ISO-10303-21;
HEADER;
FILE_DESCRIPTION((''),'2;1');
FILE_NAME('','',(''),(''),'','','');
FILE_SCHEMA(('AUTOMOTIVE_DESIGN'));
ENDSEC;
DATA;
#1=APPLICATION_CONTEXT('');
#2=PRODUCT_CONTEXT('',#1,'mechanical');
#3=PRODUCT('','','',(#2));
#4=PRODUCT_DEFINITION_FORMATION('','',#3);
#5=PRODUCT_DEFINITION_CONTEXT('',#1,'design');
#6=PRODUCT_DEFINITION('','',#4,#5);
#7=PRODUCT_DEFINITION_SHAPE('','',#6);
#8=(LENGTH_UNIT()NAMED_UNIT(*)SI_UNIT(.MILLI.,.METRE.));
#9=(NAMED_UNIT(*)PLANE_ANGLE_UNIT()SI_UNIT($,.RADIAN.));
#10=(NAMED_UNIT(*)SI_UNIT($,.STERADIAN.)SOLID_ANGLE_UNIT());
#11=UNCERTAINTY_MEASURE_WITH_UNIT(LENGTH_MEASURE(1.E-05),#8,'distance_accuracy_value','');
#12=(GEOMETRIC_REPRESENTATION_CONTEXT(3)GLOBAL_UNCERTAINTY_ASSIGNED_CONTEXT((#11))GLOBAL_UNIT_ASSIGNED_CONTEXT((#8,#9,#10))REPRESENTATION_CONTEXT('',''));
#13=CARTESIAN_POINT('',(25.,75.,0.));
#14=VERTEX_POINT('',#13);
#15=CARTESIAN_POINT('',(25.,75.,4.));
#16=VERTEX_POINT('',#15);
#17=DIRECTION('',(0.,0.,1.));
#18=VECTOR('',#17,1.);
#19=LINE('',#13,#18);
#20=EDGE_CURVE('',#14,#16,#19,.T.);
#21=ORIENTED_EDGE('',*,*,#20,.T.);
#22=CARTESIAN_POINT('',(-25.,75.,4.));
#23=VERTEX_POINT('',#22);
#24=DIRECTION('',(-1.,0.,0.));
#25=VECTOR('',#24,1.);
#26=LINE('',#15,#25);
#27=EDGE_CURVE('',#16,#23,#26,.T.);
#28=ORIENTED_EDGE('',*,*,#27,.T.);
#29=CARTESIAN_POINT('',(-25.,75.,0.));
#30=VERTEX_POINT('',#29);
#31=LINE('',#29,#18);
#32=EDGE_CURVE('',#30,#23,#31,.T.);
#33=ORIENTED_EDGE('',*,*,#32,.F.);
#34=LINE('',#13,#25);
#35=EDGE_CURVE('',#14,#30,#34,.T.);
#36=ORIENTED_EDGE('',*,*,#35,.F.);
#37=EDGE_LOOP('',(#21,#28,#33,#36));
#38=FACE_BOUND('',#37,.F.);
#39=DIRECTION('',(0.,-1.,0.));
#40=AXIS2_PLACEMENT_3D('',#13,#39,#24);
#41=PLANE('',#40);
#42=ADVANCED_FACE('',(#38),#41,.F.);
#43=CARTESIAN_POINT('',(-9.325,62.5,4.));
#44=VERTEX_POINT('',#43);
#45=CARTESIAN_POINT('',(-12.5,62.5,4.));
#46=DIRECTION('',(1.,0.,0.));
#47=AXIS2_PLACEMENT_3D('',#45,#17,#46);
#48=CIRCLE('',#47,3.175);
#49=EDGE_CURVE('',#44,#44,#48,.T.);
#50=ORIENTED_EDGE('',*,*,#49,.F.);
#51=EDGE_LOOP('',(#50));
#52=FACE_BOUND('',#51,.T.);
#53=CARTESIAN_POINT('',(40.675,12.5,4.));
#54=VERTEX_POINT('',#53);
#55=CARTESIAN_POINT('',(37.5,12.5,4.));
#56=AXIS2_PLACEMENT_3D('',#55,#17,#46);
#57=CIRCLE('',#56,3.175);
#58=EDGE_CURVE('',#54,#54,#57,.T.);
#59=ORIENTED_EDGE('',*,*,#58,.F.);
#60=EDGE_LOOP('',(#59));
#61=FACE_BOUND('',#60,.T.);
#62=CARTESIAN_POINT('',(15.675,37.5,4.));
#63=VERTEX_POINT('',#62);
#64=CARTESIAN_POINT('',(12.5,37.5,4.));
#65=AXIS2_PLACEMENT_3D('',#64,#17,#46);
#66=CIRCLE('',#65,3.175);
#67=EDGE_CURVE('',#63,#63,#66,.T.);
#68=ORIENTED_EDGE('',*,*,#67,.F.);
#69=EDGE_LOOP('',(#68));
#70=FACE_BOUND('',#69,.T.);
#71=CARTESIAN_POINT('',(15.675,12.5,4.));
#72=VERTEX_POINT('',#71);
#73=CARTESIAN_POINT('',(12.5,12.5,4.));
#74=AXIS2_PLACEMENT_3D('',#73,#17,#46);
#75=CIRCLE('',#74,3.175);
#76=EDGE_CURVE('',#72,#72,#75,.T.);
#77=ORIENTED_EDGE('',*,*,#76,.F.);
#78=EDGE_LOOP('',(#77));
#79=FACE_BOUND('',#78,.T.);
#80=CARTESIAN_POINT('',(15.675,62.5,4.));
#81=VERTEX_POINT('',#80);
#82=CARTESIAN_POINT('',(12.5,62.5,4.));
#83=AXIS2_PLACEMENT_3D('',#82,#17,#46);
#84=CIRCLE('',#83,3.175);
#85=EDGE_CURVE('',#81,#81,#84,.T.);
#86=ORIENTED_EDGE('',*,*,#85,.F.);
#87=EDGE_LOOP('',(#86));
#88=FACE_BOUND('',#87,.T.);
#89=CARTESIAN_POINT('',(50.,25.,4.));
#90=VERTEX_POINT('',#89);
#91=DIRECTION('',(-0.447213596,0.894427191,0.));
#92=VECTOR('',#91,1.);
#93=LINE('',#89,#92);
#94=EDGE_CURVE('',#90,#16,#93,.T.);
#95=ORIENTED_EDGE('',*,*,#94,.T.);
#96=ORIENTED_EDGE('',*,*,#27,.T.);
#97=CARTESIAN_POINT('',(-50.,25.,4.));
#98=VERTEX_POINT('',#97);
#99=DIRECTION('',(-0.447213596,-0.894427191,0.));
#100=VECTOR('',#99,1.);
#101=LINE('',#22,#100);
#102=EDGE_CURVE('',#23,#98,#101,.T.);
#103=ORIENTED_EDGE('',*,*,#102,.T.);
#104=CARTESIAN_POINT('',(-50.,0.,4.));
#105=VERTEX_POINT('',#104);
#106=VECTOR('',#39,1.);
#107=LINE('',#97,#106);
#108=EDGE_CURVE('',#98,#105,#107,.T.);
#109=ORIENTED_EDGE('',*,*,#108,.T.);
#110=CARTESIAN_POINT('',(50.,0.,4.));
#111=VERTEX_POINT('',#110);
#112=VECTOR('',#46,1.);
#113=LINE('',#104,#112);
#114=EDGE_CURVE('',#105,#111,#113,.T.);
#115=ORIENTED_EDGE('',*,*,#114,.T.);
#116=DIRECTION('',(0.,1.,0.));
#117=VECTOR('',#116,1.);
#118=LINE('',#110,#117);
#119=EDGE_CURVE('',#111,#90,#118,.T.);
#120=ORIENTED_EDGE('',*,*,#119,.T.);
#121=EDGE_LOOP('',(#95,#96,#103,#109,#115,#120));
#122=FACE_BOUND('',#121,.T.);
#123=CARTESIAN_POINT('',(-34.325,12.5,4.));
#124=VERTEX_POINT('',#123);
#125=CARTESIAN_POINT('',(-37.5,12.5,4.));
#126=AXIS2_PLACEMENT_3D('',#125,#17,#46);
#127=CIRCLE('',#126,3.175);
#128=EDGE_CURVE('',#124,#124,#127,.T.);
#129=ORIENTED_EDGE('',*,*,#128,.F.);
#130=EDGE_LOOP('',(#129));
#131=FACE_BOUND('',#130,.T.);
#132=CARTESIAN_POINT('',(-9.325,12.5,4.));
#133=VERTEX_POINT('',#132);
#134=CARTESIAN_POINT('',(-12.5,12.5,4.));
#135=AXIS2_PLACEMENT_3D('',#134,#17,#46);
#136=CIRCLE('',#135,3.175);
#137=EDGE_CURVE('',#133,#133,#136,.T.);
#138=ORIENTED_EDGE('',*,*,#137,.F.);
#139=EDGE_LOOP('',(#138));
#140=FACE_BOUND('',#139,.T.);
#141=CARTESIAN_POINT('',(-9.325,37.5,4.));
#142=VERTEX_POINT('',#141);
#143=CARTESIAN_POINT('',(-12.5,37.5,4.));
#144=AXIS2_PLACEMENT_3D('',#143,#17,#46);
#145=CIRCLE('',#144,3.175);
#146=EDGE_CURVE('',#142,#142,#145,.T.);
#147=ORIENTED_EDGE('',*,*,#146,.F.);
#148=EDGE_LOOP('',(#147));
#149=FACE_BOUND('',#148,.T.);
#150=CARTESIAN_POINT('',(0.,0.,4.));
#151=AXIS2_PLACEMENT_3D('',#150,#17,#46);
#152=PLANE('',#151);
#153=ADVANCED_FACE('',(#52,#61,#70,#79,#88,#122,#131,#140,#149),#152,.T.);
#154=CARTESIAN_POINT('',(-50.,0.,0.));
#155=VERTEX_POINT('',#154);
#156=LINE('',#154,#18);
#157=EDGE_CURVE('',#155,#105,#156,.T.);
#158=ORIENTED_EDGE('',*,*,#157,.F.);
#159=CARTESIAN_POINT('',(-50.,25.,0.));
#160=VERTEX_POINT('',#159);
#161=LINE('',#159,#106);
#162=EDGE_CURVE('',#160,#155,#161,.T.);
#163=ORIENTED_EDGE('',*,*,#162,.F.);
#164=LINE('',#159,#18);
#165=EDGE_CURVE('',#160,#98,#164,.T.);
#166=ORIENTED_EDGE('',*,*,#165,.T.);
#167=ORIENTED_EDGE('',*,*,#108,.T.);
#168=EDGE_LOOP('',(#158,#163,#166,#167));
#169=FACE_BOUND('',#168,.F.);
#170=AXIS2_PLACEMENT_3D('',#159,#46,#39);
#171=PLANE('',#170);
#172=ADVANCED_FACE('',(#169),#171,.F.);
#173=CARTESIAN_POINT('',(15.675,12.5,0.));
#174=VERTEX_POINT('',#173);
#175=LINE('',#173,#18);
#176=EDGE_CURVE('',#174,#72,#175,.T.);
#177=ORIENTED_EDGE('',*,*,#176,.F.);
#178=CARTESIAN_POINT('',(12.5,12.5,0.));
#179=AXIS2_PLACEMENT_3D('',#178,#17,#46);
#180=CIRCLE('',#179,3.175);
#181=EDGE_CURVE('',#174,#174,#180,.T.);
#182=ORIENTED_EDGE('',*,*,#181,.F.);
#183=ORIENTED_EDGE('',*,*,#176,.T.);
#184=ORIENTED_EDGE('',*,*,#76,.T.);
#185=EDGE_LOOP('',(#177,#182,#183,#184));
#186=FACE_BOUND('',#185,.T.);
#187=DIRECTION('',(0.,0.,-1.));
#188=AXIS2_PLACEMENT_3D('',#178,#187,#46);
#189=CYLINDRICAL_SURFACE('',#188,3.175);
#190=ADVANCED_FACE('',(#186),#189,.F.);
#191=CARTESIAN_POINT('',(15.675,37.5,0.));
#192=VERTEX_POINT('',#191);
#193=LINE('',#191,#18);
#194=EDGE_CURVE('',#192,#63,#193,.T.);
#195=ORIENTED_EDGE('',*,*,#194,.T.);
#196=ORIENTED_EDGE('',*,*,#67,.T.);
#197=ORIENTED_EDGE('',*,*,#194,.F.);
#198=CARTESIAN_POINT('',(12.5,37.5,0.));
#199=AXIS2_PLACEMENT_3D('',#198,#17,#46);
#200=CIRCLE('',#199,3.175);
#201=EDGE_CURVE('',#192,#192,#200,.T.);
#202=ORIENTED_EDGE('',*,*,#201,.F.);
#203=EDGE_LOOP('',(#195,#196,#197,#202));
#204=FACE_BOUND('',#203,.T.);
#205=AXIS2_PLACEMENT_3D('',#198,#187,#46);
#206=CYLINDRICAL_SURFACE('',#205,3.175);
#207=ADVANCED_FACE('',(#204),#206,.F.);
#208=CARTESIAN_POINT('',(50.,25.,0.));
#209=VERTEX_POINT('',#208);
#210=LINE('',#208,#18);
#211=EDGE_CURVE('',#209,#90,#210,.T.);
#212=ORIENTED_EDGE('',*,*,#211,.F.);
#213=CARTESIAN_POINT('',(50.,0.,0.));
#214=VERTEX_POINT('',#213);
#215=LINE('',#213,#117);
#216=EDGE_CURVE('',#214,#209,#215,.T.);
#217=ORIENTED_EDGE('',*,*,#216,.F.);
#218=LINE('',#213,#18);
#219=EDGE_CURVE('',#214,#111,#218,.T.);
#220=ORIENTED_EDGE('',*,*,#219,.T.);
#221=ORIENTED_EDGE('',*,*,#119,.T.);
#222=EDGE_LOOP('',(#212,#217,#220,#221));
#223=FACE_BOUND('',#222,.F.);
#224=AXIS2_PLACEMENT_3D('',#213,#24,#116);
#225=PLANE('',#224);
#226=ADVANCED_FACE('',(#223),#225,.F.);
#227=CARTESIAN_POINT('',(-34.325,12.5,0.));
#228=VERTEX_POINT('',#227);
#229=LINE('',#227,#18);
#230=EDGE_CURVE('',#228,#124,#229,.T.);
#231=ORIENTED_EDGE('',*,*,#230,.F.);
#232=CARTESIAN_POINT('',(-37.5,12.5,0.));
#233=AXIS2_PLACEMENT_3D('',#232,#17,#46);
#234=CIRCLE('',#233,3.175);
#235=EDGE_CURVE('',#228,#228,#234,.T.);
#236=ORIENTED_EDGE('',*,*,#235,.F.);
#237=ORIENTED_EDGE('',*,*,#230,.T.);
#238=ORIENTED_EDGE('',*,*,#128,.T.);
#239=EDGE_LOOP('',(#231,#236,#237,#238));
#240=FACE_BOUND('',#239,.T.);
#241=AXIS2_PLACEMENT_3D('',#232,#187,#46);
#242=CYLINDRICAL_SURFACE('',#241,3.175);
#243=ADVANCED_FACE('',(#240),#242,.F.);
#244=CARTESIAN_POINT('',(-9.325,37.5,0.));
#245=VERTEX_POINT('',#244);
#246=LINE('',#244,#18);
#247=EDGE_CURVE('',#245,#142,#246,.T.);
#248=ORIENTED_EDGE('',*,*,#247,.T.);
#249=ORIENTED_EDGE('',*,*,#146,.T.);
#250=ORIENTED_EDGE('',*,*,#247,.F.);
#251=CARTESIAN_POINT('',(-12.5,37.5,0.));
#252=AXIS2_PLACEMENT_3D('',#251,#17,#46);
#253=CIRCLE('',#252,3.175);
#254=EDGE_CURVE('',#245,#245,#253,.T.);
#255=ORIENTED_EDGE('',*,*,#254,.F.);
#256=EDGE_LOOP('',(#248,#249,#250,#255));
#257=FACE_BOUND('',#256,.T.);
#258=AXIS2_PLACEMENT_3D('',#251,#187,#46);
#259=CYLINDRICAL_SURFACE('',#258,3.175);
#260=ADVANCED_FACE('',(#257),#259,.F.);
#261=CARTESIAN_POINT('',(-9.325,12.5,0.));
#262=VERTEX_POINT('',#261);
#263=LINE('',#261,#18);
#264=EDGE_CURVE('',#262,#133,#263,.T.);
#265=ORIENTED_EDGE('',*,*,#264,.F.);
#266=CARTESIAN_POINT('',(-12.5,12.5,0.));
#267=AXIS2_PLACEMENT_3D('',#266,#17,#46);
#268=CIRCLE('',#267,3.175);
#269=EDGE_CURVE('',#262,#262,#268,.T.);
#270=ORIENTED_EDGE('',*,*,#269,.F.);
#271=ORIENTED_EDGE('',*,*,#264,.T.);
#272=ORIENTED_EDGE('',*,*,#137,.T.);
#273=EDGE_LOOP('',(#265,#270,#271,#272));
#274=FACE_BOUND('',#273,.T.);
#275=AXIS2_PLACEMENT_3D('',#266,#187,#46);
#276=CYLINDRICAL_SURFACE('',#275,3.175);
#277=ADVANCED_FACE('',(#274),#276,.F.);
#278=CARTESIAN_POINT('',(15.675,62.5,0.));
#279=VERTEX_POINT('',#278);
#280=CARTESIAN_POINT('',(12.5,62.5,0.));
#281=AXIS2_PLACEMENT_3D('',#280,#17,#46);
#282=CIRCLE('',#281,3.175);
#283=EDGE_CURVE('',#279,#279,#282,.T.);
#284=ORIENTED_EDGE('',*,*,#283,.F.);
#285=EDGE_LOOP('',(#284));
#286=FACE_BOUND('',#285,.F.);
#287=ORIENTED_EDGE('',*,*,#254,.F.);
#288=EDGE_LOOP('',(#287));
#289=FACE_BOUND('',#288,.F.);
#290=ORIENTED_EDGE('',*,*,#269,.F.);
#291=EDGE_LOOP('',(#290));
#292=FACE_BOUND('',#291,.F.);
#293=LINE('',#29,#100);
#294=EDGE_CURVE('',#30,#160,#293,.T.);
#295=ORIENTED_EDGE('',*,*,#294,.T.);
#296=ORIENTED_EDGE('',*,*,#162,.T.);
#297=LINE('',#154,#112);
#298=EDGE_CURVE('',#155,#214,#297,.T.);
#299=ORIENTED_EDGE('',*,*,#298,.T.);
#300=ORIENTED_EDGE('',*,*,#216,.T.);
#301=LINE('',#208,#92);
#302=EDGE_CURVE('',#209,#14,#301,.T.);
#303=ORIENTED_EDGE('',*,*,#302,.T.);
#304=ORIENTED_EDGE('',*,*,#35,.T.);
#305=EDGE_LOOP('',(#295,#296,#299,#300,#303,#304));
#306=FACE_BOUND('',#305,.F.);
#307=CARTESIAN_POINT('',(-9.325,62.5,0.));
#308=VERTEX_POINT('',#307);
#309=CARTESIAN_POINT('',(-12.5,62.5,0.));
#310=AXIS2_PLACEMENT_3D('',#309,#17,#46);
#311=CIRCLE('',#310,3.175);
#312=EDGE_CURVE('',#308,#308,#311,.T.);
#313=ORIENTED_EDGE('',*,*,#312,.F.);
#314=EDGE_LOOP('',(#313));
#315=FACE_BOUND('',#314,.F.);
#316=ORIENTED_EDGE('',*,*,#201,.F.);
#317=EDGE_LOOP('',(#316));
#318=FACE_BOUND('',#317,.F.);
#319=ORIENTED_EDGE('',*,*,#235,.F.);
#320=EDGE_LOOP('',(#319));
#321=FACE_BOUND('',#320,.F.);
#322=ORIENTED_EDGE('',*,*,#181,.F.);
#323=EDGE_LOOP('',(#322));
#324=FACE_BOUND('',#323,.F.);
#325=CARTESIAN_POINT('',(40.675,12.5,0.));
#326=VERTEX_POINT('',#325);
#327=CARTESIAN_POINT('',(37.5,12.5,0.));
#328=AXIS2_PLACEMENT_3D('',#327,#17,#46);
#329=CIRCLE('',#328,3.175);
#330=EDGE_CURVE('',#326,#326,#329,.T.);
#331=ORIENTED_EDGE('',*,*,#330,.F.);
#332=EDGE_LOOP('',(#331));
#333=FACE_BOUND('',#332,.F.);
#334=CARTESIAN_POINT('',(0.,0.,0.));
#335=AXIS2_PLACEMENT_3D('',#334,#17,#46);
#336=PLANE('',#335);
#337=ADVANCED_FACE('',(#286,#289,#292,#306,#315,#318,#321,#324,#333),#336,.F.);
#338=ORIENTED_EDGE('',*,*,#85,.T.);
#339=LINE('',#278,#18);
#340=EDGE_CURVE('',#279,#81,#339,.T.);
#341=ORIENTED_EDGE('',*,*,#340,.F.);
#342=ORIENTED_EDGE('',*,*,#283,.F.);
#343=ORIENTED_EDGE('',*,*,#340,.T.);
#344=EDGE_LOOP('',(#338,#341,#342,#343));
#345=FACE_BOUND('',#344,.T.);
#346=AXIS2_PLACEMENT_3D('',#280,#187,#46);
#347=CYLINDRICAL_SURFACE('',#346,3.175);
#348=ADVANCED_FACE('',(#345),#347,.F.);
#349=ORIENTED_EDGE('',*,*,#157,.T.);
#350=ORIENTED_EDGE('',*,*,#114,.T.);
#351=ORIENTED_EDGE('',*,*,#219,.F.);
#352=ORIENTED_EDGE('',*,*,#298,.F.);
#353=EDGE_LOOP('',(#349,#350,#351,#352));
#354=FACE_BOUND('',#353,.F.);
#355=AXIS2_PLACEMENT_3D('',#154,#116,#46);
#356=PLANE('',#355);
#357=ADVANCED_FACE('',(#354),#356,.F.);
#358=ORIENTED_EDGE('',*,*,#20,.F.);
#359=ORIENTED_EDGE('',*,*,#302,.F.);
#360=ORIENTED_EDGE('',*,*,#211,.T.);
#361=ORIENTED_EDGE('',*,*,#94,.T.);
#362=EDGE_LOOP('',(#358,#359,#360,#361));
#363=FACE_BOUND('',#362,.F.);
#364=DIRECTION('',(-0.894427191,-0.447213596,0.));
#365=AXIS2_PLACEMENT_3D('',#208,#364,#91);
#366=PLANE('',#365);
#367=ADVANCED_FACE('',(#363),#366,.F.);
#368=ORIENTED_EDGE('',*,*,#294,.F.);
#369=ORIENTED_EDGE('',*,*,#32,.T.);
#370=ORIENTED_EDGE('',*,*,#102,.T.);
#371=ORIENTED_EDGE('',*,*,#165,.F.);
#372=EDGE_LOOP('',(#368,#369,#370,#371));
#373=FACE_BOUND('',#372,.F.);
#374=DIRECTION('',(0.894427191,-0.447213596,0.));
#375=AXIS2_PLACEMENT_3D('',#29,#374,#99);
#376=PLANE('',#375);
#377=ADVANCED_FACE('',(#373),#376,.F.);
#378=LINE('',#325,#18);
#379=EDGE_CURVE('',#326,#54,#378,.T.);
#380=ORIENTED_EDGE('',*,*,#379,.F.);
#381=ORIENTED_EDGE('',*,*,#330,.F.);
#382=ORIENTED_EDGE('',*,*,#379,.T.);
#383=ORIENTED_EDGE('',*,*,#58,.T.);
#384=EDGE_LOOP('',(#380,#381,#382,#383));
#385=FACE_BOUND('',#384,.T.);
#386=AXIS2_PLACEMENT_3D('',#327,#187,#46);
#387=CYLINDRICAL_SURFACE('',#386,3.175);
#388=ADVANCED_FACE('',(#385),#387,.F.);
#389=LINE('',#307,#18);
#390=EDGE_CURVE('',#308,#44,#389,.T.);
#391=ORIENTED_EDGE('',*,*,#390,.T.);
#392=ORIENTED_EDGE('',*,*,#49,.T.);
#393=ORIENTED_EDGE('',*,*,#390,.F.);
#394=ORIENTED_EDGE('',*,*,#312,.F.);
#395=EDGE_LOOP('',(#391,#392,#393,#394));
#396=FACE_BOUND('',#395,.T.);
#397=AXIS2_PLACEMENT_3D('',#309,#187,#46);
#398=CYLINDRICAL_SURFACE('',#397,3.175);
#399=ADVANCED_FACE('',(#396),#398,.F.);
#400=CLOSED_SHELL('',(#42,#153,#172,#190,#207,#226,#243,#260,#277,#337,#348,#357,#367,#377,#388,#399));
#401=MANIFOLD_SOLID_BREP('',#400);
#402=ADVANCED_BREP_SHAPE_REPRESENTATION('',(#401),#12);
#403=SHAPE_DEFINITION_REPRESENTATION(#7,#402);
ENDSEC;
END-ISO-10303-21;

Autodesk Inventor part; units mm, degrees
ref_plane "YZ Plane" through (0, 0, 0) normal (1, 0, 0) x (0, 1, 0)
ref_plane "XZ Plane" through (0, 0, 0) normal (0, 1, 0) x (-1, 0, 0)
ref_plane "XY Plane" through (0, 0, 0) normal (0, 0, 1) x (1, 0, 0)
sketch "Sketch_1" plane through (0, 0, 0) normal (0, 0, 1) x (1, 0, 0)
  line L0 (-50, 25) -> (-50, 0)
  line L1 (-50, 0) -> (50, 0)
  line L2 (50, 0) -> (50, 25)
  line L3 (50, 25) -> (25, 75)
  line L4 (25, 75) -> (-25, 75)
  line L5 (-25, 75) -> (-50, 25)
  circle A0 centre (37.5, 12.5) radius 3.175
  circle A1 centre (12.5, 12.5) radius 3.175
  circle A2 centre (12.5, 37.5) radius 3.175
  circle A3 centre (12.5, 62.5) radius 3.175
  circle A4 centre (-12.5, 37.5) radius 3.175
  circle A5 centre (-12.5, 12.5) radius 3.175
  circle A6 centre (-12.5, 62.5) radius 3.175
  circle A7 centre (-37.5, 12.5) radius 3.175
extrude "Extrusion1" add sketch "Sketch_1" along normal blind 4
properties part number "25-4155"
